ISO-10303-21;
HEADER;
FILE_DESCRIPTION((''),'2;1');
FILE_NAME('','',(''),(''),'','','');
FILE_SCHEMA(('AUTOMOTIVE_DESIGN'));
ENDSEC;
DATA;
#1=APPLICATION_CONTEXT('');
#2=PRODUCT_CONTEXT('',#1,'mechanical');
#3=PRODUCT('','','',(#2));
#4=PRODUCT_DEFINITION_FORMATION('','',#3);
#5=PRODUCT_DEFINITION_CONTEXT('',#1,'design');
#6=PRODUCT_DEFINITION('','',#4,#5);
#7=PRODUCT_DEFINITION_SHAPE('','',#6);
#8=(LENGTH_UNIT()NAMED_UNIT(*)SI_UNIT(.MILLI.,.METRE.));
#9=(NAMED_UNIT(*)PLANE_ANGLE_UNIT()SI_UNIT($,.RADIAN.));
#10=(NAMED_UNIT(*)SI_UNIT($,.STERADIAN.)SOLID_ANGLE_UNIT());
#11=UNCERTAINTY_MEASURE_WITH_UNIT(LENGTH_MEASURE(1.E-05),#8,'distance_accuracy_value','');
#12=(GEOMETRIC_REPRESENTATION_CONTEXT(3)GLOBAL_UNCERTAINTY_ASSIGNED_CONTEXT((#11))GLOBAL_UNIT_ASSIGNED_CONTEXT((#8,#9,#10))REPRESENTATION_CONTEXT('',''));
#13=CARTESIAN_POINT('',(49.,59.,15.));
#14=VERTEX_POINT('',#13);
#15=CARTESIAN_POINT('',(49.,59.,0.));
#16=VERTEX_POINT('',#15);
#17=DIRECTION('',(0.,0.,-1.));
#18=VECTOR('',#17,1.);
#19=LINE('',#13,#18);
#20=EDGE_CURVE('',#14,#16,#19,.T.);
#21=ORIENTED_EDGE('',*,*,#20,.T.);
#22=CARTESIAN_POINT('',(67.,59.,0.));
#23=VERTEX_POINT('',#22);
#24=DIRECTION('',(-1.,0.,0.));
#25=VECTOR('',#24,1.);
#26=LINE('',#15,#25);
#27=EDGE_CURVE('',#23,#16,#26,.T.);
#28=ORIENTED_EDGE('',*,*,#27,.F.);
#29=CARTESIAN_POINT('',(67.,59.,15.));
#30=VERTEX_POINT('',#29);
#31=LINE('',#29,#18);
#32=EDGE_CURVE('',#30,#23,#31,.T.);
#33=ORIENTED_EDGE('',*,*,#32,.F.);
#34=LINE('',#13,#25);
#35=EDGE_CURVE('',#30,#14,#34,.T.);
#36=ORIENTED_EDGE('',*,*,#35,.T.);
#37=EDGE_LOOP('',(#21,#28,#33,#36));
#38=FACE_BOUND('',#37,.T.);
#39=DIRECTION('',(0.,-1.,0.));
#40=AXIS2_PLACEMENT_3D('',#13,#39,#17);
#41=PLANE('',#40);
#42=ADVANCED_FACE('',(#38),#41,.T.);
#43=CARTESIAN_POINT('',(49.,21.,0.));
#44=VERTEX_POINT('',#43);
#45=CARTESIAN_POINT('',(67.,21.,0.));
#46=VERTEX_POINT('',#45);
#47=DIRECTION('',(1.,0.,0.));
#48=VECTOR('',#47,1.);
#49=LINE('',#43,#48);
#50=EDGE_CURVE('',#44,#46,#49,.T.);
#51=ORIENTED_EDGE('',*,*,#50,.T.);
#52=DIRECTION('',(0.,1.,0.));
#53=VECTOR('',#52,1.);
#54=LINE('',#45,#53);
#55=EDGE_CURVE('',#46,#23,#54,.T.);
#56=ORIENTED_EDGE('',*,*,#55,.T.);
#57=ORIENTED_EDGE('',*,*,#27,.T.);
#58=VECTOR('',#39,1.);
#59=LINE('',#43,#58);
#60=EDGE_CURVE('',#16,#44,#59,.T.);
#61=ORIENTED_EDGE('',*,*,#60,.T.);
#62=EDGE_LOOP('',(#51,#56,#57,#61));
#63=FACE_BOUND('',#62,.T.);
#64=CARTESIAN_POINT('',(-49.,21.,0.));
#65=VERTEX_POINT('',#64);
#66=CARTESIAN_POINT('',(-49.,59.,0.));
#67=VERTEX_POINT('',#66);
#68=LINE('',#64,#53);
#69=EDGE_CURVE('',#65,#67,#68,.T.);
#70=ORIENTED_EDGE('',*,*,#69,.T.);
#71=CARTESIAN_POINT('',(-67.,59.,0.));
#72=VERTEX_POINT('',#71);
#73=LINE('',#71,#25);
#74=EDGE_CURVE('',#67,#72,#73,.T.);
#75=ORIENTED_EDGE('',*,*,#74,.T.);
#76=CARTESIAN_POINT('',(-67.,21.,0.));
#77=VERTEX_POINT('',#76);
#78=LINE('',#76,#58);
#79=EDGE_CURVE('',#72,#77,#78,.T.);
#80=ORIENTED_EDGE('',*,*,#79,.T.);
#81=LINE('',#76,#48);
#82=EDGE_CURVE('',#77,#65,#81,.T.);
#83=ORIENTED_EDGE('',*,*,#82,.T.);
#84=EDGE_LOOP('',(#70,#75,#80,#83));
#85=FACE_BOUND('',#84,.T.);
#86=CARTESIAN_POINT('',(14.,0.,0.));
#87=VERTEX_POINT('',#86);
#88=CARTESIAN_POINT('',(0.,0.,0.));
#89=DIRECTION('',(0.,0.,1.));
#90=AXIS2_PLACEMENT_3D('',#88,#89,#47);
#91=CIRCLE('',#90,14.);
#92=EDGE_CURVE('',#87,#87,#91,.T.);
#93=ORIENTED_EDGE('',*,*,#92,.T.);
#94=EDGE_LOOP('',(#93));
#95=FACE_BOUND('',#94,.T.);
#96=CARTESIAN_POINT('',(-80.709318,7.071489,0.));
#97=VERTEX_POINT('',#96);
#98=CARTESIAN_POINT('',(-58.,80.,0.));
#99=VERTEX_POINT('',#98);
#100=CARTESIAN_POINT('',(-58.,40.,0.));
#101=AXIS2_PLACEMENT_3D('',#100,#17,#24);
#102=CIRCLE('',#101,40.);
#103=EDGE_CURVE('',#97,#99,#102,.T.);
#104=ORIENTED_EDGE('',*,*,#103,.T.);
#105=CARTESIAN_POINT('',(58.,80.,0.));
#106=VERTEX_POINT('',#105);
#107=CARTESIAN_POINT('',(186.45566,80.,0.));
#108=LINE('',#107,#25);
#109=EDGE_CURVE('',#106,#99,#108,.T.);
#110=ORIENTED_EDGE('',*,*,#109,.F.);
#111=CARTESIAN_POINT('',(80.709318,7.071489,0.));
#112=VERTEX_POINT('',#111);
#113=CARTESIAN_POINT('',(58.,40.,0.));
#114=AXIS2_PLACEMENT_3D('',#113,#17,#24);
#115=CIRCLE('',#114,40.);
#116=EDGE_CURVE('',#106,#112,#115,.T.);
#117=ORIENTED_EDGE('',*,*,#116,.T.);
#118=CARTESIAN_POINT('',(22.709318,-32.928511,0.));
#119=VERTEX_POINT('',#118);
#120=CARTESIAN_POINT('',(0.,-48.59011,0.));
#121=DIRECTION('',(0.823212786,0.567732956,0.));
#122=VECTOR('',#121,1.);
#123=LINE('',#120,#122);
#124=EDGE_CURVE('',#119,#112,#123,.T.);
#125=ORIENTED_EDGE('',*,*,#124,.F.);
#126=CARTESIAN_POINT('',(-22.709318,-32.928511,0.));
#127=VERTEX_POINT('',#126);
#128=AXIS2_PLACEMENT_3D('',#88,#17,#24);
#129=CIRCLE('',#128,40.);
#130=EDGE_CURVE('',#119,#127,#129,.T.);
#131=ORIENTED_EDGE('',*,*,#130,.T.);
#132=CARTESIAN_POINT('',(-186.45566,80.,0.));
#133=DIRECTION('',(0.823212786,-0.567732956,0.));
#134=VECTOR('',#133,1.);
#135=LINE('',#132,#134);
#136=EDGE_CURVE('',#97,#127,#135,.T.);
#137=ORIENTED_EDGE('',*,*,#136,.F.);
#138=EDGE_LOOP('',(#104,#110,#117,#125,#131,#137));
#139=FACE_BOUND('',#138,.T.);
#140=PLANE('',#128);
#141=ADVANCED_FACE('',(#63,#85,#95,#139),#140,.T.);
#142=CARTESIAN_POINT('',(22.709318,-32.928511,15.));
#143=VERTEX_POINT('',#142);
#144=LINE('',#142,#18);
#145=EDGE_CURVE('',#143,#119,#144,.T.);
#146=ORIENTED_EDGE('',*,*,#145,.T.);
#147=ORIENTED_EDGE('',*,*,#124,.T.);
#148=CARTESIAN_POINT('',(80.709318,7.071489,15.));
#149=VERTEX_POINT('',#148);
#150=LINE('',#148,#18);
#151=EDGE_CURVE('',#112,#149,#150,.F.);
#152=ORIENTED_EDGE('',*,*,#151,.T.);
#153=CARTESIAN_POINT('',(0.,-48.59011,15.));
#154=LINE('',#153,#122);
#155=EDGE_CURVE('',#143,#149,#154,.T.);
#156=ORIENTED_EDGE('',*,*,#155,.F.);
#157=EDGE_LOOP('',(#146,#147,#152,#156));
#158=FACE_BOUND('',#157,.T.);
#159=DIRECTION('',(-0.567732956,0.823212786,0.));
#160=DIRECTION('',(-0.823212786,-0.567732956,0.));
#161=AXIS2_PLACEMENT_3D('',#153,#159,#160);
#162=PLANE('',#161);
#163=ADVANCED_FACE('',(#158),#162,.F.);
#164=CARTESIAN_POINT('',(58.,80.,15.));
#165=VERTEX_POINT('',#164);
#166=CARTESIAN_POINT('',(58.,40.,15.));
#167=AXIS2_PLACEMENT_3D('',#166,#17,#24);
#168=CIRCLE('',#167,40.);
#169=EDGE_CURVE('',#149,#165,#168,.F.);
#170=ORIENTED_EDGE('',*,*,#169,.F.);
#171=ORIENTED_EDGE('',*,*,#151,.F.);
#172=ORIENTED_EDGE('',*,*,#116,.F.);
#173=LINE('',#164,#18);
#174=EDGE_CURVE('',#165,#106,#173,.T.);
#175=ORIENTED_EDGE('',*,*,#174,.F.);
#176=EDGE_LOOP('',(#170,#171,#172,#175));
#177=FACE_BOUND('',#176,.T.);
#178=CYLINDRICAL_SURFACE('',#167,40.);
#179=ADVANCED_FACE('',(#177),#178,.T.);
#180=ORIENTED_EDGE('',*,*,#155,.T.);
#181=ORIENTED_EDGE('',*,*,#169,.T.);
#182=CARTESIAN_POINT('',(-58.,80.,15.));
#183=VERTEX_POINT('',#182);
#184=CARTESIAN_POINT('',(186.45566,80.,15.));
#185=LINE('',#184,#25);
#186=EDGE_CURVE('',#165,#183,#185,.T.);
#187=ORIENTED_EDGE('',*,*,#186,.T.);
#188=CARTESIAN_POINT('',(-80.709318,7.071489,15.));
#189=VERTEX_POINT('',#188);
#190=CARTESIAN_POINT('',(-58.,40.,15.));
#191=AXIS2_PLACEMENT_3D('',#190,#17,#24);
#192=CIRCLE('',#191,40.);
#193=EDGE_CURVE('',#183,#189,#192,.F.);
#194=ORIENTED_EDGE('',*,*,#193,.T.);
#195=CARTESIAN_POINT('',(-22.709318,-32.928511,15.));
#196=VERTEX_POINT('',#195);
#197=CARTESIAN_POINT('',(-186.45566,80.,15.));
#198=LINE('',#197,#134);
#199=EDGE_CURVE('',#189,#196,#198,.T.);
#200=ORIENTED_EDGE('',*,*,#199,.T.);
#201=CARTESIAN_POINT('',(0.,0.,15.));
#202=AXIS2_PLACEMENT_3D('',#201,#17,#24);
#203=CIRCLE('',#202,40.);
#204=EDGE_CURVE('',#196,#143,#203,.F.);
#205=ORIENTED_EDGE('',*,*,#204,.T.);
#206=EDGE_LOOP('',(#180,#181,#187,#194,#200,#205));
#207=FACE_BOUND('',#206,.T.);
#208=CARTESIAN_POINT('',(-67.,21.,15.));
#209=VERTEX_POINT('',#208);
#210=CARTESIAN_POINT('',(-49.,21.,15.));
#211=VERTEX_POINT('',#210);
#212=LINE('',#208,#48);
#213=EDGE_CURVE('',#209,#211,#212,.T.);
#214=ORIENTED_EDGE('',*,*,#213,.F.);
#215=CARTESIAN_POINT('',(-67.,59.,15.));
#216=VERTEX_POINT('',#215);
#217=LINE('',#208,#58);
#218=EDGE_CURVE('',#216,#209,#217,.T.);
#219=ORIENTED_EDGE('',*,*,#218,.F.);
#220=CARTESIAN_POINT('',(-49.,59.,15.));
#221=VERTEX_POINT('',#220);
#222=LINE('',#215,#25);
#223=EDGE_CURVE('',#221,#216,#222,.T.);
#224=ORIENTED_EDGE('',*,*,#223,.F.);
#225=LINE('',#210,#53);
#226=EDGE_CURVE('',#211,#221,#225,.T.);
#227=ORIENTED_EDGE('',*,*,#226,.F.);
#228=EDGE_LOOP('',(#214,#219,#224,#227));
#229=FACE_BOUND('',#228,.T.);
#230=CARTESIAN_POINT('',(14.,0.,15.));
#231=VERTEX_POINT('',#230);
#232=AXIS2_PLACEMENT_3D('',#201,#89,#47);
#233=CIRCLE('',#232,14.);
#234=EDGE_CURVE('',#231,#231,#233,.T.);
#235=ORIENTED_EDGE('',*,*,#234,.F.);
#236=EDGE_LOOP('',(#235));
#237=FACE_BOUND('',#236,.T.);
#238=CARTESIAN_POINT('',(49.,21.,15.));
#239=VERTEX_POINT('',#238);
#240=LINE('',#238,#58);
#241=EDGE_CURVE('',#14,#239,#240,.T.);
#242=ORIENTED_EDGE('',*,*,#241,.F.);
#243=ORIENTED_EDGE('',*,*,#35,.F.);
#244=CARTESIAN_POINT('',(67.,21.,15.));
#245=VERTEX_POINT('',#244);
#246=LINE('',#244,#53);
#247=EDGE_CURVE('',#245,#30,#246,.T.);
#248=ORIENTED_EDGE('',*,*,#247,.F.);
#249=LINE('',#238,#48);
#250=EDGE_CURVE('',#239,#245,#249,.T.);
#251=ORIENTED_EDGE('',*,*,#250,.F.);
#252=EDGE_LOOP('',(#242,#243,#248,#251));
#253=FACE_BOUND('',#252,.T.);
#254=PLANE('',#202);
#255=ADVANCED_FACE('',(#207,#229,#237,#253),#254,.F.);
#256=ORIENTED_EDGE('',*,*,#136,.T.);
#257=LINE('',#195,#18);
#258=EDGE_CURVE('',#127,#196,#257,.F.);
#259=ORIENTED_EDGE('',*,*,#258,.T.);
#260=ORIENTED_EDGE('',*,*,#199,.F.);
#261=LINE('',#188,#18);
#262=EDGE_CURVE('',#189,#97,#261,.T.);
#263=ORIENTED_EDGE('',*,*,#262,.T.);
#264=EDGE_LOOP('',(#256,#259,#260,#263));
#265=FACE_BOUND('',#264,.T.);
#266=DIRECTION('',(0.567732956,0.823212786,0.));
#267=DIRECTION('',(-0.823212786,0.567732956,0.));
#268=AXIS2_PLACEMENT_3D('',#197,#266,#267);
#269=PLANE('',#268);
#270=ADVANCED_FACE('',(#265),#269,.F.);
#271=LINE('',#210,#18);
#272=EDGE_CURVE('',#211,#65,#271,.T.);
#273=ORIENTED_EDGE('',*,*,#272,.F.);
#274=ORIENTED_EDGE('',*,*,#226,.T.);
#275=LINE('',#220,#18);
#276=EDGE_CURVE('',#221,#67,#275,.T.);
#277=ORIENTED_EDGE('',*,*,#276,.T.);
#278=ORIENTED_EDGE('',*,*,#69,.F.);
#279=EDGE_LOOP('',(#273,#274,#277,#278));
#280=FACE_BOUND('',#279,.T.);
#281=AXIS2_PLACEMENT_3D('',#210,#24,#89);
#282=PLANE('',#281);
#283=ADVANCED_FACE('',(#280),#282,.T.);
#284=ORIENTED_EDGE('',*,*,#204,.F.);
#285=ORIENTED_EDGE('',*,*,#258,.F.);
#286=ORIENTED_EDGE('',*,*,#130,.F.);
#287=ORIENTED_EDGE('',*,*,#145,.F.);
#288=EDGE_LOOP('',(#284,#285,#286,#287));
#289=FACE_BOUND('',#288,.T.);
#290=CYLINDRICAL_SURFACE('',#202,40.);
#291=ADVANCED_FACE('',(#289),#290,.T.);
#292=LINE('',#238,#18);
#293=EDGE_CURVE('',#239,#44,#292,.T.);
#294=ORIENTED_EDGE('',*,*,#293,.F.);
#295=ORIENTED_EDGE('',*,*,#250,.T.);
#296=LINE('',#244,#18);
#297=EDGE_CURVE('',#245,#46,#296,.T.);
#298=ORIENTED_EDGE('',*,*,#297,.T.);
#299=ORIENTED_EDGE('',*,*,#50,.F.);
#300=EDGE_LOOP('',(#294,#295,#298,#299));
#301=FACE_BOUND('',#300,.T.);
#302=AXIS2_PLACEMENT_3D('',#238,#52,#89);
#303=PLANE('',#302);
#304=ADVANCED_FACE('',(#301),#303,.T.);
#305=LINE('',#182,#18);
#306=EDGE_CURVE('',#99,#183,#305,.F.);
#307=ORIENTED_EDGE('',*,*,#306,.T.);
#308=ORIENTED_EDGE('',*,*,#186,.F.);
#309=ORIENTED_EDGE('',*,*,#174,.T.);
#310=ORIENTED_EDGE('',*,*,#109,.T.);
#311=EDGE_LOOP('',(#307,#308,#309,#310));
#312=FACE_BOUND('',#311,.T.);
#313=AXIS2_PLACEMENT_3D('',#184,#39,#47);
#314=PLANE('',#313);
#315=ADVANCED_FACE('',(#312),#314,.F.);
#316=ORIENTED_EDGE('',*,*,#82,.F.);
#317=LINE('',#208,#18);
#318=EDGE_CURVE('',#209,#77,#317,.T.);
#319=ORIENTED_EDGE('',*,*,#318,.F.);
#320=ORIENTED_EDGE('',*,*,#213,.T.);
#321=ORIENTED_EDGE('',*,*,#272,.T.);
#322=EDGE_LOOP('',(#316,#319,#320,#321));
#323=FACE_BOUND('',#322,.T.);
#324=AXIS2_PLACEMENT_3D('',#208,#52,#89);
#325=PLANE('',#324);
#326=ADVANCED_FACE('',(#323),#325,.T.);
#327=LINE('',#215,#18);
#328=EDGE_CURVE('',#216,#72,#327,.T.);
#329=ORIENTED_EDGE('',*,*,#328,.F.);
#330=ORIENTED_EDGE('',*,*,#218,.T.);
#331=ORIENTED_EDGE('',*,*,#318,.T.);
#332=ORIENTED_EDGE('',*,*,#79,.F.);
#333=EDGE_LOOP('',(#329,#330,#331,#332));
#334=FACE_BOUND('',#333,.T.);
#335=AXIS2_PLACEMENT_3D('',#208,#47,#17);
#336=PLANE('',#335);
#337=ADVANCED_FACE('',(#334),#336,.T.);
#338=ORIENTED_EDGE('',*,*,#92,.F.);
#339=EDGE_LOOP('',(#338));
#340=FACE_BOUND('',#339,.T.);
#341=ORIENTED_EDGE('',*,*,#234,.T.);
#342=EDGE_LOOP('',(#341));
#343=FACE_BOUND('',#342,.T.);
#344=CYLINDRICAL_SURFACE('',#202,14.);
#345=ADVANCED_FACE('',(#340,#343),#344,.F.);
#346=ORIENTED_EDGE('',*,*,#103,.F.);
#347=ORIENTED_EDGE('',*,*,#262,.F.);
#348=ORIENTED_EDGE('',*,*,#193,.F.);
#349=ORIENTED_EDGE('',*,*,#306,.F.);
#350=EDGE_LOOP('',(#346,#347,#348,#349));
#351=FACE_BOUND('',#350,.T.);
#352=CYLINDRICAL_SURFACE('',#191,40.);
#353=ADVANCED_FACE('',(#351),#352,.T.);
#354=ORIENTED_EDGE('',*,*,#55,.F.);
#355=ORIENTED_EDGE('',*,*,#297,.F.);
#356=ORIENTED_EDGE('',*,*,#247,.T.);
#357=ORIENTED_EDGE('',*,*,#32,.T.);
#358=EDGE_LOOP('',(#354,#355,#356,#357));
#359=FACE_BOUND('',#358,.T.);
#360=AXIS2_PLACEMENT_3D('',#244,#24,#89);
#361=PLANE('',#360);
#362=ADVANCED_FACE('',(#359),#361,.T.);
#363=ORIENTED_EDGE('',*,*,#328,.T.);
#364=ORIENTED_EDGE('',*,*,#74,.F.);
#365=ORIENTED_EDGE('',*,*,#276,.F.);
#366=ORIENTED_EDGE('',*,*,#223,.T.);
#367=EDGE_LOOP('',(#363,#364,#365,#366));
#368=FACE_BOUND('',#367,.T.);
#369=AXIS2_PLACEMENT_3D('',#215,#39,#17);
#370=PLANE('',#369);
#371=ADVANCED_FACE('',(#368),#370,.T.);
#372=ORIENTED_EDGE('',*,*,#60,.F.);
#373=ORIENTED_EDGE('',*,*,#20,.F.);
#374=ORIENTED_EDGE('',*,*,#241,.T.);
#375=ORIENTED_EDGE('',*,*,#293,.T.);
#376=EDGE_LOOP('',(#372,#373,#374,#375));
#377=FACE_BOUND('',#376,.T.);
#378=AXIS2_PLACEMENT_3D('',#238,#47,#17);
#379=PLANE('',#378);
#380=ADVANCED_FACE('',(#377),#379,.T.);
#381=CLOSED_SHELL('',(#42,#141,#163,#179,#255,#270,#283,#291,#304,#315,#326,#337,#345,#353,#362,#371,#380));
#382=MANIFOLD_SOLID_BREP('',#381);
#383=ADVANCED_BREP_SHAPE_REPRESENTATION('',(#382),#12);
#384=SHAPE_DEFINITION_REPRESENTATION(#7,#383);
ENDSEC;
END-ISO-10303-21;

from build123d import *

# Parameters (mm, degrees)
SKETCH1_R           = 14
SKETCH1_W           = 18
SKETCH1_H           = 38
BOSS_EXTRUDE1_DEPTH = 15
FILLET1_R           = 40


with BuildPart() as part:
    # Sketch1 → Boss-Extrude1 (new body)
    with BuildSketch(Plane.XY):
        Polygon((186.455659815, 80), (-186.455659815, 80), (0, -48.590110217), align=None)
        Circle(SKETCH1_R, mode=Mode.SUBTRACT)
        with Locations((-58, 40)):
            Rectangle(SKETCH1_W, SKETCH1_H, mode=Mode.SUBTRACT)
        with Locations((58, 40)):
            Rectangle(SKETCH1_W, SKETCH1_H, mode=Mode.SUBTRACT)
    extrude(amount=BOSS_EXTRUDE1_DEPTH)

    # Fillet1
    fillet1_edges = [part.edges().sort_by_distance(p)[0] for p in [
        (0, -48.590110217, 7.5),
        (-186.455659815, 80, 7.5),
        (186.455659815, 80, 7.5),
    ]]
    fillet(fillet1_edges, radius=FILLET1_R)


solid = part.part
